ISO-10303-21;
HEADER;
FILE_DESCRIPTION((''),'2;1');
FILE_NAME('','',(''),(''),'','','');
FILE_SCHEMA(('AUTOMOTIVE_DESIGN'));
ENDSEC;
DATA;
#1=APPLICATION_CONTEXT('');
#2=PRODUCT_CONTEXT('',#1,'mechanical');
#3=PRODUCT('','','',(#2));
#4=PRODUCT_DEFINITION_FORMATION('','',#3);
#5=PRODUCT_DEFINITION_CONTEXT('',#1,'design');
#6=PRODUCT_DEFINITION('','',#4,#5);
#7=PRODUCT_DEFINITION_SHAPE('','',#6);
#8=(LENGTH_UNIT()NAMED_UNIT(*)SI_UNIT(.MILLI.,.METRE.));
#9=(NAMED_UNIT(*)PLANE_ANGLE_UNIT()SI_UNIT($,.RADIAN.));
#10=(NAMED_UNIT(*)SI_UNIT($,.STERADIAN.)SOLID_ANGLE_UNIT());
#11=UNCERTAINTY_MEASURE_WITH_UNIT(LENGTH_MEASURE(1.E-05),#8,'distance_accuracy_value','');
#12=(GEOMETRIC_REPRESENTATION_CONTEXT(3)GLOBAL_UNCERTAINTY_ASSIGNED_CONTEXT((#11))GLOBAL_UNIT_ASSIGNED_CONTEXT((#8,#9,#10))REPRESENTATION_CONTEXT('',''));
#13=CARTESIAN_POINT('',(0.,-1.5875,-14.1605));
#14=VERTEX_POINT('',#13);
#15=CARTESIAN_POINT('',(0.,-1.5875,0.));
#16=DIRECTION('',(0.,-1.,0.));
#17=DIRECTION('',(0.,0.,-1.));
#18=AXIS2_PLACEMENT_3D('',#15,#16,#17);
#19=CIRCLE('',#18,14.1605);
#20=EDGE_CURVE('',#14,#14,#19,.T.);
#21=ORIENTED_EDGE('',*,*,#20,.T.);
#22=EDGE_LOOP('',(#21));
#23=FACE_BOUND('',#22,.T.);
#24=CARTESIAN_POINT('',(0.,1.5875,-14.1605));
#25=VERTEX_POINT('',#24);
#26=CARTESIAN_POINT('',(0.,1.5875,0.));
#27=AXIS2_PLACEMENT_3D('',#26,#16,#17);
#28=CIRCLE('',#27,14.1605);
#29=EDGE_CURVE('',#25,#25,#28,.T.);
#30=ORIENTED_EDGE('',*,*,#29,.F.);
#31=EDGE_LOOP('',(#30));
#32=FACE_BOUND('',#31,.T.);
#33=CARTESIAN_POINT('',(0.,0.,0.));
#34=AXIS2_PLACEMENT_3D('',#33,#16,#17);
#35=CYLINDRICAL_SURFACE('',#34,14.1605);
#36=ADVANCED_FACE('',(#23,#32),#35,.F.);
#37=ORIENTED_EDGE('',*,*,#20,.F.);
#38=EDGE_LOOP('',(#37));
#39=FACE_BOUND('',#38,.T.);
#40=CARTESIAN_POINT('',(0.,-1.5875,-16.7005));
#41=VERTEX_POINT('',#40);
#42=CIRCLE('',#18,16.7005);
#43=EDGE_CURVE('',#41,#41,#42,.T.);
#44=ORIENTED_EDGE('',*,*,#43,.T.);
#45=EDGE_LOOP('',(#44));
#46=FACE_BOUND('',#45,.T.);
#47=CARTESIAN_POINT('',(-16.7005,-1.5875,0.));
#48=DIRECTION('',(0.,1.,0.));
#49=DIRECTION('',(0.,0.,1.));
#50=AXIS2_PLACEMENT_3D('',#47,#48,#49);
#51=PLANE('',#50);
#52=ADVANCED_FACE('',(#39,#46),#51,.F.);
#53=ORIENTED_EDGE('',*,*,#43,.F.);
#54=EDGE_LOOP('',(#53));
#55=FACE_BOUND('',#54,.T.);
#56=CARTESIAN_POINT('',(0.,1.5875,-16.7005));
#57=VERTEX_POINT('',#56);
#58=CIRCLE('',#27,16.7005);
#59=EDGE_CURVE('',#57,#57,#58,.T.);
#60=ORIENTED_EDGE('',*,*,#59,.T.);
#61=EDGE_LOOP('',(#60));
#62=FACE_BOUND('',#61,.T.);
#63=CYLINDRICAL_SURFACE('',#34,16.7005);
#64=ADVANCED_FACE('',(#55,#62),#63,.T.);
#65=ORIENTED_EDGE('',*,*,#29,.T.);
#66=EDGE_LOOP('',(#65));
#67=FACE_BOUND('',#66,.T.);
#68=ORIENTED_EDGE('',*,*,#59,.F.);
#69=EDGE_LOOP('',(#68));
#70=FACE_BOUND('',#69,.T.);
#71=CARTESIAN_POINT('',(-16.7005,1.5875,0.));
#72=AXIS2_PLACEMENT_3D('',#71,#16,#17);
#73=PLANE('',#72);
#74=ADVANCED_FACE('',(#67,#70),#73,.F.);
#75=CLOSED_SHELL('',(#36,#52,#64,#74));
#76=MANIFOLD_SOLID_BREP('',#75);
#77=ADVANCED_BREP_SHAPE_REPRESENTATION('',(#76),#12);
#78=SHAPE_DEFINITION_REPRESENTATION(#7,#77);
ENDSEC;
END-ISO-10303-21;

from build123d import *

# Parameters (mm, degrees)
SKETCH1_W = 2.54
SKETCH1_H = 3.175


with BuildPart() as part:
    # Sketch1 → Revolve1 (revolve)
    with BuildSketch(Plane.XY):
        with Locations((-15.4305, 0)):
            Rectangle(SKETCH1_W, SKETCH1_H)
    revolve(axis=Axis((0, 0, 0), (0, 1, 0)))


solid = part.part
